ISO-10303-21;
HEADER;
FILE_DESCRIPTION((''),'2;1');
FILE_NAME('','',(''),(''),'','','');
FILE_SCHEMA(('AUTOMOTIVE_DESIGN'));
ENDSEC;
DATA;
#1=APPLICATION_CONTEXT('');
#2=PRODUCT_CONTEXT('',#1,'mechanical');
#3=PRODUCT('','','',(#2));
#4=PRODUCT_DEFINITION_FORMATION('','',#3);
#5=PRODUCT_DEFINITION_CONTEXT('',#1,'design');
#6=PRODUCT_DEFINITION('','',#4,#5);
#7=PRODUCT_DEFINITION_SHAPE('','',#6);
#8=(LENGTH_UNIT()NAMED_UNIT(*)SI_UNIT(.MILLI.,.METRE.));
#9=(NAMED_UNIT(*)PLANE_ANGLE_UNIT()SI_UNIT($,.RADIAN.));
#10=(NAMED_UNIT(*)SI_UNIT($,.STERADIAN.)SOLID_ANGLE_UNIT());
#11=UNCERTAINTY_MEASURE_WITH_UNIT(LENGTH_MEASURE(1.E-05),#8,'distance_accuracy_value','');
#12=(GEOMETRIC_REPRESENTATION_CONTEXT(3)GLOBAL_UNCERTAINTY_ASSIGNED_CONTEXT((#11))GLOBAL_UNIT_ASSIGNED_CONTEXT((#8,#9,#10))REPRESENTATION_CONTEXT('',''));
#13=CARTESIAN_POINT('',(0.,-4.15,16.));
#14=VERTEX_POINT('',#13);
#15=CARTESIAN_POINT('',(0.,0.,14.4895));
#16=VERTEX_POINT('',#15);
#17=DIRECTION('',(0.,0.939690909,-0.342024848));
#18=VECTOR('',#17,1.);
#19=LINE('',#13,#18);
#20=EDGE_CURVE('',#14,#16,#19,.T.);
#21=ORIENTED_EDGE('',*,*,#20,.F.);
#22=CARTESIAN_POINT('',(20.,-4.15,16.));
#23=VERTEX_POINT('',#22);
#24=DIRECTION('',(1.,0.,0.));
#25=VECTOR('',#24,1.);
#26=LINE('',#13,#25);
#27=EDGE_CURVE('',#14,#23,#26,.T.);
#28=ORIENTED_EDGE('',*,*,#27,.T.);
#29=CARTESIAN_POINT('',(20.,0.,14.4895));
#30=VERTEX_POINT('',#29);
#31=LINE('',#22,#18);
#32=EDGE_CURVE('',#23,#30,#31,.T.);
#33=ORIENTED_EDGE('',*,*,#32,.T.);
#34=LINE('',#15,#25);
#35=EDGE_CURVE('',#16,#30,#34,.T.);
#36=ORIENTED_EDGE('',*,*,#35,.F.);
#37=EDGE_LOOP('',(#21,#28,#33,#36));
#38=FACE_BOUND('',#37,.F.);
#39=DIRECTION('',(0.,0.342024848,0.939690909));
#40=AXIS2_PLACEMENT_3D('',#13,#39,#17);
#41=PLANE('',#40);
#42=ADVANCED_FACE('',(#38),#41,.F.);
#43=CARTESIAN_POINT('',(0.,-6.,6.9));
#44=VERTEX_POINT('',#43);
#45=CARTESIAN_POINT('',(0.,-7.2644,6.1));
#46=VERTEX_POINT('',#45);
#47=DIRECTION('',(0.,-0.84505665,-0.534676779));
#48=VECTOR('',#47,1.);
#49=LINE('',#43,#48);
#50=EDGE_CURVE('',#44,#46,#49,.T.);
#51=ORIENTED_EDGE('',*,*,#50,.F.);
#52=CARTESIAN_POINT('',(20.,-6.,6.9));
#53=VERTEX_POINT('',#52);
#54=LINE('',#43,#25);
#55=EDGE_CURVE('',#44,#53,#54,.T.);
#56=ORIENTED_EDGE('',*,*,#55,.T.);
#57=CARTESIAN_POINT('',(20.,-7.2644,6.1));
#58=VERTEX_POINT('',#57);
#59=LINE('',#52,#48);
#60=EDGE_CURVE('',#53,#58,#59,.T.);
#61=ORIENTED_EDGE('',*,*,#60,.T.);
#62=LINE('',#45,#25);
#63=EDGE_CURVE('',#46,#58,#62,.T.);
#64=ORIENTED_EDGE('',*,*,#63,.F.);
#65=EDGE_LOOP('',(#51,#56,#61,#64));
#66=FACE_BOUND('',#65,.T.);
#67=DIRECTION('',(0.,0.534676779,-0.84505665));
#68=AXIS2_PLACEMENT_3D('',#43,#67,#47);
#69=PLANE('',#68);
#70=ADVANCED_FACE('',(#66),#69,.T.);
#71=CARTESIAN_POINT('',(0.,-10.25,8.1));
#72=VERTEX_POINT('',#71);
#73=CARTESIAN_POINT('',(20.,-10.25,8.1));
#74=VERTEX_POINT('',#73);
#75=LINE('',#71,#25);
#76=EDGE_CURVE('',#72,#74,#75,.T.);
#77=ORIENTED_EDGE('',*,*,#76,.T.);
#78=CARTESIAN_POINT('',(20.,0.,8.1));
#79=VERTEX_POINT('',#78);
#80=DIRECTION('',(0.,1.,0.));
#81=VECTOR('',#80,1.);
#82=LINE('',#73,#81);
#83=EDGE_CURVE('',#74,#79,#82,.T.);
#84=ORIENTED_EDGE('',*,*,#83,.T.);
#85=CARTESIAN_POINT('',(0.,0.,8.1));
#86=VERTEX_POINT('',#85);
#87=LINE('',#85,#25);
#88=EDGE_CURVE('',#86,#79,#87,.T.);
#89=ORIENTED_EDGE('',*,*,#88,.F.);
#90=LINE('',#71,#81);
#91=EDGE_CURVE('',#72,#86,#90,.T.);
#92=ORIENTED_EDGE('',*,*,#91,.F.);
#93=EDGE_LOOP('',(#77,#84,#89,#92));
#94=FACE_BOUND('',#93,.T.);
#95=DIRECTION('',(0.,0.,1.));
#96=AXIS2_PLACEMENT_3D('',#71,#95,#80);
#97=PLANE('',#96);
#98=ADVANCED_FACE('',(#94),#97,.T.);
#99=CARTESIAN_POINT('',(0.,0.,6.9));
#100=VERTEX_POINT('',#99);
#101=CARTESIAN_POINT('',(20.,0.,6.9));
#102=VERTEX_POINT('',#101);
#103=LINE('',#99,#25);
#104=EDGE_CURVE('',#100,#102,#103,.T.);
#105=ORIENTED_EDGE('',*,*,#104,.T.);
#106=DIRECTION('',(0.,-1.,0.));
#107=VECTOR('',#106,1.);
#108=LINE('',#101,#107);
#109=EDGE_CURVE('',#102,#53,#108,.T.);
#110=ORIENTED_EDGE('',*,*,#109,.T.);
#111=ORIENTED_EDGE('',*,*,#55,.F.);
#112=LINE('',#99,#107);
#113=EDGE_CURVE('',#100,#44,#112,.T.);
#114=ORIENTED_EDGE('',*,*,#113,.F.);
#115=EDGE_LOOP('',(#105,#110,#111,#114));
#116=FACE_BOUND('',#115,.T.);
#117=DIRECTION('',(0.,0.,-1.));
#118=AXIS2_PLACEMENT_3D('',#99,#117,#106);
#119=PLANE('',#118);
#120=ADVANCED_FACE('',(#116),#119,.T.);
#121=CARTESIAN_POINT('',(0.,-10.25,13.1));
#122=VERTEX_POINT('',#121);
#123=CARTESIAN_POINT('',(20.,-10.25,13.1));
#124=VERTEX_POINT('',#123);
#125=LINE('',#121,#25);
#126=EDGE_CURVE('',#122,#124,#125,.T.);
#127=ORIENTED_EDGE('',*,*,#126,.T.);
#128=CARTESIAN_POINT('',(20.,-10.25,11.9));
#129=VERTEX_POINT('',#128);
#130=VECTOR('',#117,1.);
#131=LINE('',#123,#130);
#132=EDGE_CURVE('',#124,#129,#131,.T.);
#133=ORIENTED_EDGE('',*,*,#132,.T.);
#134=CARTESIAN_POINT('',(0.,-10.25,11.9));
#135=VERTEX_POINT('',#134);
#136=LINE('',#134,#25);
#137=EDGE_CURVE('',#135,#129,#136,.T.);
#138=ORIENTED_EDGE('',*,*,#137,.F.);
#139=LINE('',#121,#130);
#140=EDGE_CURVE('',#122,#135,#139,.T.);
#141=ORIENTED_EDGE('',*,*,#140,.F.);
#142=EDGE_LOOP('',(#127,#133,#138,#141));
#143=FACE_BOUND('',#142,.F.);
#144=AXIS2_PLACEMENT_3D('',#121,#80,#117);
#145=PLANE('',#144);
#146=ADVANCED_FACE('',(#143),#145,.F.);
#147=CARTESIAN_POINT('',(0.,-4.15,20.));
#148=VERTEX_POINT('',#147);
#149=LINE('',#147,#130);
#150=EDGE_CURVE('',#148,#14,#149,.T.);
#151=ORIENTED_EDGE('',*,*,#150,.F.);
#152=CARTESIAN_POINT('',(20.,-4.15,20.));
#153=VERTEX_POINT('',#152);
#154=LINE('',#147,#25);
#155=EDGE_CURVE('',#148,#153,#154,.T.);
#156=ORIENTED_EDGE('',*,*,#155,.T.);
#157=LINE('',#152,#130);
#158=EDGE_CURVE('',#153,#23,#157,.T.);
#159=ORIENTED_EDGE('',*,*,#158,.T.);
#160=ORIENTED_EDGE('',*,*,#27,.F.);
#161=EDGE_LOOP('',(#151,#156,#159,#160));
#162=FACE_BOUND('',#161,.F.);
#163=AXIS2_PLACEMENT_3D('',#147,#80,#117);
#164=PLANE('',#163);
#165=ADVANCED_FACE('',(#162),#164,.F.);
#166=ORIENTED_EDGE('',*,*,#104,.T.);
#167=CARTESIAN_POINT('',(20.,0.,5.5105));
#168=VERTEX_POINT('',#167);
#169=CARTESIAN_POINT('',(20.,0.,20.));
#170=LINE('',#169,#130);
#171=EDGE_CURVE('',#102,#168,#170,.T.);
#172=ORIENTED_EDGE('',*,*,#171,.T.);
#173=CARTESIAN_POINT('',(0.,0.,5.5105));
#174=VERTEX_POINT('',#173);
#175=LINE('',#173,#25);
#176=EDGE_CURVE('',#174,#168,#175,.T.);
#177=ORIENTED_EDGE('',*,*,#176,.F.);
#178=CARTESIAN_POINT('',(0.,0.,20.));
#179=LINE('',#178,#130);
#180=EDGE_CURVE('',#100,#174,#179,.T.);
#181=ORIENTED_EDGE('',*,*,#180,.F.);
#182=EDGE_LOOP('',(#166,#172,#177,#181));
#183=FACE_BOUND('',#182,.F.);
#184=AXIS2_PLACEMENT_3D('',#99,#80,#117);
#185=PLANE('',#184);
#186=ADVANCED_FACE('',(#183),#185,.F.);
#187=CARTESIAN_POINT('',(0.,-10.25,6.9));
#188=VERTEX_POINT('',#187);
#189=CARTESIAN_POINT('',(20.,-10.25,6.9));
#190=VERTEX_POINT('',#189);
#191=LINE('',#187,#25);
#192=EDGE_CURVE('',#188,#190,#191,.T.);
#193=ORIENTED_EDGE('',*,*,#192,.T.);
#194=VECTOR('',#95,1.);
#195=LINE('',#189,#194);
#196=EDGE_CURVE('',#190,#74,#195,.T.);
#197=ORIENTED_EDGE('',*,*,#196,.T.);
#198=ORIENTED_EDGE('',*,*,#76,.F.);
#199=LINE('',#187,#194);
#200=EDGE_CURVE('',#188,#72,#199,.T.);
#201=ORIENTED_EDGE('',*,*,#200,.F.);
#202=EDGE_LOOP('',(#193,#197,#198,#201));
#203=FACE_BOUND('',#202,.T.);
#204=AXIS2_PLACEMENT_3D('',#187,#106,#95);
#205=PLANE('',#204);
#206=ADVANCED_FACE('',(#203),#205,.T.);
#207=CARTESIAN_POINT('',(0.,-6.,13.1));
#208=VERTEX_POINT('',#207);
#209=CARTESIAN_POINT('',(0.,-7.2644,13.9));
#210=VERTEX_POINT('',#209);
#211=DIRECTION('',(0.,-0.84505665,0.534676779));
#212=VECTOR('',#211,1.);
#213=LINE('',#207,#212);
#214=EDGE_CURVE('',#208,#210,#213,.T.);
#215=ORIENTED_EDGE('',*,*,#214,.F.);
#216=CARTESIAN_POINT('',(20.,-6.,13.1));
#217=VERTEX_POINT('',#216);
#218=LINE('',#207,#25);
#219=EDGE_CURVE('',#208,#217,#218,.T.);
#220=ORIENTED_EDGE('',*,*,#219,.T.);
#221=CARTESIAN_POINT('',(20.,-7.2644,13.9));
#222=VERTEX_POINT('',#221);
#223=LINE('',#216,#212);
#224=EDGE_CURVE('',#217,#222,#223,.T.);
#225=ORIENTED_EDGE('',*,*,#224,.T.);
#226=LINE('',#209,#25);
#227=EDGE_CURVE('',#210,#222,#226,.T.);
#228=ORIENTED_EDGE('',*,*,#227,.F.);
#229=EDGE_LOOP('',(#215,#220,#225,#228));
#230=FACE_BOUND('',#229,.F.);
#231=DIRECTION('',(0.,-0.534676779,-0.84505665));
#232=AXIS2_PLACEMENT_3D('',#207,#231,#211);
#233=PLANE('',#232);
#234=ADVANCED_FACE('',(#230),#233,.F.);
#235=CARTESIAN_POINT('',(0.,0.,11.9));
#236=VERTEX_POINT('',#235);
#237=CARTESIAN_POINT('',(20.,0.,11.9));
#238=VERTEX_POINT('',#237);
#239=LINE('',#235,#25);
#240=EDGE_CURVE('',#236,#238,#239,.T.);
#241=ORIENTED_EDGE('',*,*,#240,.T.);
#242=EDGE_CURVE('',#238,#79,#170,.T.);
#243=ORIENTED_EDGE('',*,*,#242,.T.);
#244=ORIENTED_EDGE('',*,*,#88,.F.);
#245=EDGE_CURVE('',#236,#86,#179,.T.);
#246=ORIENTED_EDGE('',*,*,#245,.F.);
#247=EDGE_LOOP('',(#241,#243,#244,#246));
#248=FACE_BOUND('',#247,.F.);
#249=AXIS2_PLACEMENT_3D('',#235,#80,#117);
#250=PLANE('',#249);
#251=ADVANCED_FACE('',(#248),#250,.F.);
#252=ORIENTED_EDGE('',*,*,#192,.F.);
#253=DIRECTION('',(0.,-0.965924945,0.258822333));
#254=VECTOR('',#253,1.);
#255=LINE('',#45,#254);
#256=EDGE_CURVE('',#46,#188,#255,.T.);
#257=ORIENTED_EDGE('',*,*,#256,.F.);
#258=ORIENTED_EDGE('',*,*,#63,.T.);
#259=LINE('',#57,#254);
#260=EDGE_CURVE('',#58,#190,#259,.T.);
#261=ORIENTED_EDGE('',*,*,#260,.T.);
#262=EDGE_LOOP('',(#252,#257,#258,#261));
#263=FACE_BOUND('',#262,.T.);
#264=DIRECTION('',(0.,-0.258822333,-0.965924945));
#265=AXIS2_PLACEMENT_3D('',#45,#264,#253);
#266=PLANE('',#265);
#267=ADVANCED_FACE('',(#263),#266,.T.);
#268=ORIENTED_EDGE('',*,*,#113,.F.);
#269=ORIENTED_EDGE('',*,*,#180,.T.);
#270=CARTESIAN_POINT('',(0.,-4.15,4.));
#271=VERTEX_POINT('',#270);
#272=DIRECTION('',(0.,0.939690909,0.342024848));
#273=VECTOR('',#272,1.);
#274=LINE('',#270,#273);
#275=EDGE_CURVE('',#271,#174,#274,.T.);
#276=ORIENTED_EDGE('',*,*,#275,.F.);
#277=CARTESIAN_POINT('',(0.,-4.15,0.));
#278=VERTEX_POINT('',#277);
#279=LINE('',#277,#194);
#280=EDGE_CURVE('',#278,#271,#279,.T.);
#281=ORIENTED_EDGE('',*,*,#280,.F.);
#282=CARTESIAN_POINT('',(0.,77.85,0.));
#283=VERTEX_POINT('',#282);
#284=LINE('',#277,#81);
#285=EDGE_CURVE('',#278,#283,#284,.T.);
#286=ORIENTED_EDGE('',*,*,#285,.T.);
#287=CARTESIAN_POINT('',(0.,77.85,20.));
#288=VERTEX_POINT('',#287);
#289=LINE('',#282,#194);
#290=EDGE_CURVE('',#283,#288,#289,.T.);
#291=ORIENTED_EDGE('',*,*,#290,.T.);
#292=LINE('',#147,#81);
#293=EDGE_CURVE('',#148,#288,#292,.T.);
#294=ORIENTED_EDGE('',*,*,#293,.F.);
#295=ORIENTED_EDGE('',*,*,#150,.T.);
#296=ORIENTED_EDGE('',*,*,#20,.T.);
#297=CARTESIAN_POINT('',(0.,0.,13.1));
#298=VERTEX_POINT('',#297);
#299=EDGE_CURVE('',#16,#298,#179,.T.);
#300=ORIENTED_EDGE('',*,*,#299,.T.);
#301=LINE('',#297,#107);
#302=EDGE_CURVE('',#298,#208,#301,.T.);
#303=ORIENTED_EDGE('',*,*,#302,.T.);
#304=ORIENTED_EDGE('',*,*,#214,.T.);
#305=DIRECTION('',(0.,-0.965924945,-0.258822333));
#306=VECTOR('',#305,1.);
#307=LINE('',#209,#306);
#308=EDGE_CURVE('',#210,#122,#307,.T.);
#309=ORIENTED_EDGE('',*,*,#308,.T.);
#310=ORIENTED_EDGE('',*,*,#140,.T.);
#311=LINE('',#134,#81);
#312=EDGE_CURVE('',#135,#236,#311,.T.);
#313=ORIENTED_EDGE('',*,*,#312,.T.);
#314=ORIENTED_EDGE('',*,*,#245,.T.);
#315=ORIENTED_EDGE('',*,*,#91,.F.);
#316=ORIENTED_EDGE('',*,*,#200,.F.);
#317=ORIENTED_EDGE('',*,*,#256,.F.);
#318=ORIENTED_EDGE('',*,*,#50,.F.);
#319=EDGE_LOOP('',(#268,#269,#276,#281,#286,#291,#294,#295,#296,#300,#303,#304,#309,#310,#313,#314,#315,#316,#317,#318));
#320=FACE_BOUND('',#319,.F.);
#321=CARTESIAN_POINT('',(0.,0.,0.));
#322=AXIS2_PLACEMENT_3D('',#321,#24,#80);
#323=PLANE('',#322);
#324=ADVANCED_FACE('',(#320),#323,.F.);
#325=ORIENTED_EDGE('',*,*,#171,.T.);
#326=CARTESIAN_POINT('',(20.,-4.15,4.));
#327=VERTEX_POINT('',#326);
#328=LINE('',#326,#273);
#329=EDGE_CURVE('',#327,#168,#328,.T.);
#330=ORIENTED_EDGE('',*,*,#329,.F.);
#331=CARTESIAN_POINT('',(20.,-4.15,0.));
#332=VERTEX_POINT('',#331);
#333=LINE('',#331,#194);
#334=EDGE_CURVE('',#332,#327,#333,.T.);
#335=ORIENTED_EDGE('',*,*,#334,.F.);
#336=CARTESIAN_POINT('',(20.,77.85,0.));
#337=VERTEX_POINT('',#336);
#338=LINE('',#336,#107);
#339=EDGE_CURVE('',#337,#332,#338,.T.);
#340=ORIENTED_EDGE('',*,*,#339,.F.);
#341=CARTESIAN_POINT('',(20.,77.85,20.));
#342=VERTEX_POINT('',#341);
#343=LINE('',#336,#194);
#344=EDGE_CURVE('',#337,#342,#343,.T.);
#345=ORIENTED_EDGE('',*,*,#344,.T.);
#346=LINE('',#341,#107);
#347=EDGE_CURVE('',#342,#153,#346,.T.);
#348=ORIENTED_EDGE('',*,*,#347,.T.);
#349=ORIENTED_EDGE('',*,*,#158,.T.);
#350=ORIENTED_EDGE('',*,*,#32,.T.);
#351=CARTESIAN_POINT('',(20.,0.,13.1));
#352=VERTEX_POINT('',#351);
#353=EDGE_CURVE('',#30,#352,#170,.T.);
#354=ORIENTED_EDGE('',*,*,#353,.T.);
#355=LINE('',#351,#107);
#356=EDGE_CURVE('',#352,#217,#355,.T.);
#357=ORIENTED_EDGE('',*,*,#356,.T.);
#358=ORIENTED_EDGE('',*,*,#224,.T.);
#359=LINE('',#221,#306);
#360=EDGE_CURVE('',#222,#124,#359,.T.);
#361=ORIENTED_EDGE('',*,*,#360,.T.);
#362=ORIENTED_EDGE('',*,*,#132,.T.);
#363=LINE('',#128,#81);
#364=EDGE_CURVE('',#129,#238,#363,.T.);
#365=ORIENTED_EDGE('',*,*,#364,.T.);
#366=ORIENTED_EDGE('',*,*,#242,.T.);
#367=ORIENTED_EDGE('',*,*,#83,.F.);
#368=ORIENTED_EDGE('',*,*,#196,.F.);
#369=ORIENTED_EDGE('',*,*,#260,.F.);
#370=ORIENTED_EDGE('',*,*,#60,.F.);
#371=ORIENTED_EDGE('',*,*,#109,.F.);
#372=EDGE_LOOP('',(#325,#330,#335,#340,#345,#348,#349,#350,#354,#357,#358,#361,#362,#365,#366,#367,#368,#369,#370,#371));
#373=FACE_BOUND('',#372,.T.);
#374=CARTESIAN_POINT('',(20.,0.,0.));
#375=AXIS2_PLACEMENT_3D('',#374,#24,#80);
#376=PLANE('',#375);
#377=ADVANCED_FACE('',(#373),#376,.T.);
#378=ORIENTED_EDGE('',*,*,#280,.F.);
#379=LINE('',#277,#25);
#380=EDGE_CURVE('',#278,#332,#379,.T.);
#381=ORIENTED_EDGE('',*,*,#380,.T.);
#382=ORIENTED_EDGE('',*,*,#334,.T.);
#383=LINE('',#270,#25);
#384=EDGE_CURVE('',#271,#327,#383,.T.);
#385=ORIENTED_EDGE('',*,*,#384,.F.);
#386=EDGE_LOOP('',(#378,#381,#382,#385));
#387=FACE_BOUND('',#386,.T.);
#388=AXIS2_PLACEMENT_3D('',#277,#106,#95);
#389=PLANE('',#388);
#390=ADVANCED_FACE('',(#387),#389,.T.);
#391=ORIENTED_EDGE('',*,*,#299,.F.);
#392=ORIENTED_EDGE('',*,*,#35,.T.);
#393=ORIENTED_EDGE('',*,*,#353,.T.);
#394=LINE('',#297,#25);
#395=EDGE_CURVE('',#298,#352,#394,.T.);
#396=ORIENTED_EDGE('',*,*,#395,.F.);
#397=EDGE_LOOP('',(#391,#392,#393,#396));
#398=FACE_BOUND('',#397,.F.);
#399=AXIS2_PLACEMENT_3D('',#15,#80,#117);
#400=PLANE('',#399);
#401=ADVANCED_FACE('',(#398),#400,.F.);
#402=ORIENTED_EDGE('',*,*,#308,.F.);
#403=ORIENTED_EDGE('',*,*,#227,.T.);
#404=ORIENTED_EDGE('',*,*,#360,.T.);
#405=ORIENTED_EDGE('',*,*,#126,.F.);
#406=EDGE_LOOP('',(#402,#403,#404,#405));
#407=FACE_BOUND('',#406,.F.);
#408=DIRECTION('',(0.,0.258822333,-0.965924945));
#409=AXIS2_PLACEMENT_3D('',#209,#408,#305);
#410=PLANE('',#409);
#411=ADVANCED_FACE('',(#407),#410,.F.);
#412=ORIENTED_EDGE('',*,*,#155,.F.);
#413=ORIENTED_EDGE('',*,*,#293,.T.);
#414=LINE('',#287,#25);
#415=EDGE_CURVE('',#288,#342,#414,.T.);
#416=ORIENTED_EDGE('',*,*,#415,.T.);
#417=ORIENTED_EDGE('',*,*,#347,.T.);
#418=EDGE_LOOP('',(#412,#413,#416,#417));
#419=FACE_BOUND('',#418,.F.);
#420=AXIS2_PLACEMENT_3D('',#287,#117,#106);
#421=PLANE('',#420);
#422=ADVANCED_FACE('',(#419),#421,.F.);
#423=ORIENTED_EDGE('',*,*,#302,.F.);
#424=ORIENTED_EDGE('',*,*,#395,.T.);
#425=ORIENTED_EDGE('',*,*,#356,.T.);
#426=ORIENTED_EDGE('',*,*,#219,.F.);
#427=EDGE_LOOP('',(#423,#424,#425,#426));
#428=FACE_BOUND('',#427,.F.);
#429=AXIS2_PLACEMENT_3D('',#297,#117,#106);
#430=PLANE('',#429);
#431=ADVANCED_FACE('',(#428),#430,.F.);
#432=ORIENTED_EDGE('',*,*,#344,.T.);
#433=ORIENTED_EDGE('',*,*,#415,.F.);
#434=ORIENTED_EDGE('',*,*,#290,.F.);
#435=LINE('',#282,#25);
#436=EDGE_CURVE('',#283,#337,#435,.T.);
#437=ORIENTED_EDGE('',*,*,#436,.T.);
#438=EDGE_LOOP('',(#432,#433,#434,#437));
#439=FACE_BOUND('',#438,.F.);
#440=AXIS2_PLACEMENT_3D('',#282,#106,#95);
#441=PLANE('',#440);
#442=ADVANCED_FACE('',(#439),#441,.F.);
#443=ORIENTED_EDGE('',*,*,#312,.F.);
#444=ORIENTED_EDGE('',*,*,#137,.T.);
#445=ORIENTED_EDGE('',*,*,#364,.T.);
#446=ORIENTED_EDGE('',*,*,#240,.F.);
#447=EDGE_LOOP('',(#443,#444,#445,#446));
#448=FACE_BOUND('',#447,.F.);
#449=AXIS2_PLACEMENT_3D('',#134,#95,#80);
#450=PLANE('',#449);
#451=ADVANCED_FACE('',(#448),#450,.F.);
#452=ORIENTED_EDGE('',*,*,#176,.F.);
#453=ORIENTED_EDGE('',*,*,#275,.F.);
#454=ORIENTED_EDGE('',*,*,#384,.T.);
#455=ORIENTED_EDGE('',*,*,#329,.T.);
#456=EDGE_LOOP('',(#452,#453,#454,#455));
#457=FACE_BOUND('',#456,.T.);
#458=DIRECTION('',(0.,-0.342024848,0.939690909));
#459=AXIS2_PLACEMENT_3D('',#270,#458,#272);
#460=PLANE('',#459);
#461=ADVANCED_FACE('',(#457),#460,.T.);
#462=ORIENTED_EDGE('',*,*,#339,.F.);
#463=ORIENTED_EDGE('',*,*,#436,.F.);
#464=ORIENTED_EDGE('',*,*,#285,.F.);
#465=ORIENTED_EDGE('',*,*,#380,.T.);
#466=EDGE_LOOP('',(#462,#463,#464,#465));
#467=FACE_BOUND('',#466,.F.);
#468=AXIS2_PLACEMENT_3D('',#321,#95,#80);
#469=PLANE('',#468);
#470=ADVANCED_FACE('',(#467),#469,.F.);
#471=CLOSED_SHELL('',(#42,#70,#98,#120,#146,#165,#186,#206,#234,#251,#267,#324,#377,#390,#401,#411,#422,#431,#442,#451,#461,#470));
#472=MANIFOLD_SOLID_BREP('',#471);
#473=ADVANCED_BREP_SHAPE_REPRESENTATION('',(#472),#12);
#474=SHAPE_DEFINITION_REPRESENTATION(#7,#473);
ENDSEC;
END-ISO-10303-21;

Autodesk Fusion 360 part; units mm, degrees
sketch "Sketch1" plane through (0, 0, 0) normal (1, 0, 0) x (0, 1, 0)
  line L0 (77.85, 0) -> (77.85, 20)
  line L1 (0, 10) -> (-14.9603, 10) construction
  line L2 (-4.15, 16) -> (0, 14.4895)
  line L3 (-7.2644, 13.9) -> (-10.25, 13.1)
  line L4 (0, 6.9) -> (-6, 6.9)
  line L5 (0, 20) -> (-4.15, 20)
  line L6 (0, 0) -> (77.85, 0)
  line L7 (-10.25, 6.9) -> (-10.25, 8.1)
  line L8 (-6, 6.9) -> (-7.2644, 6.1)
  line L9 (-10.25, 8.1) -> (0, 8.1)
  line L10 (-4.15, 4) -> (0, 5.5105)
  line L11 (-10.25, 13.1) -> (-10.25, 11.9)
  line L12 (-7.2644, 6.1) -> (-10.25, 6.9)
  line L13 (0, 10) -> (-14.9603, 10) construction
  line L14 (-4.15, 20) -> (-4.15, 16)
  line L15 (-4.15, 0) -> (-4.15, 4)
  line L16 (0, 20) -> (0, 0)
  line L17 (-6, 13.1) -> (-7.2644, 13.9)
  line L18 (0, 0) -> (-4.15, 0)
  line L19 (77.85, 0) -> (77.85, 20)
  line L20 (-10.25, 11.9) -> (0, 11.9)
  line L21 (0, 13.1) -> (-6, 13.1)
  line L22 (77.85, 20) -> (0, 20)
  dimension "d1" = 20
  dimension "d2" = 6
  dimension "d3" = 1.85
  dimension "d4" = 4
  dimension "d5" = 1.2
  dimension "d6" = 4.25
  dimension "d7" = 3.1
  dimension "d8" = 70
  dimension "d9" = 0.8
  dimension "d10" = 105
  dimension "d14" = 20
  dimension "d21" = 82
extrude "Extrude1" add sketch "Sketch1" along normal blind 20
